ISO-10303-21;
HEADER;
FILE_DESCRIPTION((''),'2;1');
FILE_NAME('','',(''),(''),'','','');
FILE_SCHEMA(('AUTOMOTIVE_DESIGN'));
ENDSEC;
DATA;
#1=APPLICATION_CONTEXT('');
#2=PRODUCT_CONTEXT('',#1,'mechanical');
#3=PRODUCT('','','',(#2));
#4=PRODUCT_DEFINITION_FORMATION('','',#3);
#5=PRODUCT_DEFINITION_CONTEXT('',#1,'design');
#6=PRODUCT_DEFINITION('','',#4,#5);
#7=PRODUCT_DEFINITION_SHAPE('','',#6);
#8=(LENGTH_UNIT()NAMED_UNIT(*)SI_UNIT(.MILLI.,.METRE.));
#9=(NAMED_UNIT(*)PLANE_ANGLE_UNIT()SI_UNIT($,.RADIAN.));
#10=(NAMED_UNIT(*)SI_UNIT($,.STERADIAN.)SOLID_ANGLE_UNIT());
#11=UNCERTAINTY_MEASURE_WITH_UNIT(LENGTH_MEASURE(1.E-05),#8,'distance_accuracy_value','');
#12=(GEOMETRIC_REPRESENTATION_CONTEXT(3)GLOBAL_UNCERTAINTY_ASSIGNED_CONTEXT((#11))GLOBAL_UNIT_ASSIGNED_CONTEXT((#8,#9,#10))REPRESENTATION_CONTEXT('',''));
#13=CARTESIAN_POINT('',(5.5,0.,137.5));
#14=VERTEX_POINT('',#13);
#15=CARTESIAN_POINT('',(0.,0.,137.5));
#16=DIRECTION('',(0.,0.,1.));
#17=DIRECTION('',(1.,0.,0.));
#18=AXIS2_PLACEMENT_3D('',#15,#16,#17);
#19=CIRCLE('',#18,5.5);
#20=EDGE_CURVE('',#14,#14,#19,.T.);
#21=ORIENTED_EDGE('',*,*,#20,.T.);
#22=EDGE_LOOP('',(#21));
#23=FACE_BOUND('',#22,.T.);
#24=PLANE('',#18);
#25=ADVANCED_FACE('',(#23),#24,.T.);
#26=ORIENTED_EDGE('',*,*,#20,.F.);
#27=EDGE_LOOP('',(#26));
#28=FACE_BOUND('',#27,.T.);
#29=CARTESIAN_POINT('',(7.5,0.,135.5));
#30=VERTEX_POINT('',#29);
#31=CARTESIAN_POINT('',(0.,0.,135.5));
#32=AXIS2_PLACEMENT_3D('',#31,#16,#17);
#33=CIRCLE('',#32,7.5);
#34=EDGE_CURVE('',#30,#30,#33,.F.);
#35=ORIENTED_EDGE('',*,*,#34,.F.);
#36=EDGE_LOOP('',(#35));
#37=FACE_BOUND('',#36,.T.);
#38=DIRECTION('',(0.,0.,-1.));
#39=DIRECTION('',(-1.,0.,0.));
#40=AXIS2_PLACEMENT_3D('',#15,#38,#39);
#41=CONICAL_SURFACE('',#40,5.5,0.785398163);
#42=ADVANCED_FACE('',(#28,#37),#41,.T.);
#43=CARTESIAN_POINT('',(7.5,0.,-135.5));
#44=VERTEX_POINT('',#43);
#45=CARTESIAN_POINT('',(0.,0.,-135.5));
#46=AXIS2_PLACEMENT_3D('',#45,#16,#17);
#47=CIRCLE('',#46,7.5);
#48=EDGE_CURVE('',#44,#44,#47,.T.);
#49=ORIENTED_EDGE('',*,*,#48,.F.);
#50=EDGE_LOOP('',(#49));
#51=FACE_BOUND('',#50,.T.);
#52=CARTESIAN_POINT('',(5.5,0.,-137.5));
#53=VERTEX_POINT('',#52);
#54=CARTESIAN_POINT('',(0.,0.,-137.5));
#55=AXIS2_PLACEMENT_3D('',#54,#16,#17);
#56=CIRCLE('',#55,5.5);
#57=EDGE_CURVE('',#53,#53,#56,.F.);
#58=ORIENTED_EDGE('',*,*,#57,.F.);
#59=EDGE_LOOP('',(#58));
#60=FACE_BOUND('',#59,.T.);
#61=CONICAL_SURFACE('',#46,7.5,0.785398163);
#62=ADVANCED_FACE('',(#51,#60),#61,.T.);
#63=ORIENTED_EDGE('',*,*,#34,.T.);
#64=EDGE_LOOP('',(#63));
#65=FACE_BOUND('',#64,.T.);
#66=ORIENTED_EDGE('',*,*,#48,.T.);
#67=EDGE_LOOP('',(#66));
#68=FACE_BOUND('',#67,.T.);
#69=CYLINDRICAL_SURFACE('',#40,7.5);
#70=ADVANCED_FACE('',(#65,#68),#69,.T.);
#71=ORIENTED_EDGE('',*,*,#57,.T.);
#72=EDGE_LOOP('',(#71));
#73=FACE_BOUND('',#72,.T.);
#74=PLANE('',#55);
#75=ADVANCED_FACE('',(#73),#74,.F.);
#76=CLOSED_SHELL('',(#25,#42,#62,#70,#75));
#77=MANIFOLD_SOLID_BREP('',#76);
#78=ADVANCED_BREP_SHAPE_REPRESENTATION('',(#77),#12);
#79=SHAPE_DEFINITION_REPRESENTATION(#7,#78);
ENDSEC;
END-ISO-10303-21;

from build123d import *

# Parameters (mm, degrees)
SKETCH1_R           = 7.5
BOSS_EXTRUDE1_DEPTH = 137.5
CHAMFER1_SIZE       = 2


with BuildPart() as part:
    # Sketch1 → Boss-Extrude1 (new body, symmetric)
    with BuildSketch(Plane.XY):
        Circle(SKETCH1_R)
    extrude(amount=BOSS_EXTRUDE1_DEPTH, both=True)

    # Chamfer1
    chamfer1_edges = [part.edges().sort_by_distance(p)[0] for p in [
        (-7.5, 0, -137.5),
        (-7.5, 0, 137.5),
    ]]
    chamfer(chamfer1_edges, length=CHAMFER1_SIZE)


solid = part.part
